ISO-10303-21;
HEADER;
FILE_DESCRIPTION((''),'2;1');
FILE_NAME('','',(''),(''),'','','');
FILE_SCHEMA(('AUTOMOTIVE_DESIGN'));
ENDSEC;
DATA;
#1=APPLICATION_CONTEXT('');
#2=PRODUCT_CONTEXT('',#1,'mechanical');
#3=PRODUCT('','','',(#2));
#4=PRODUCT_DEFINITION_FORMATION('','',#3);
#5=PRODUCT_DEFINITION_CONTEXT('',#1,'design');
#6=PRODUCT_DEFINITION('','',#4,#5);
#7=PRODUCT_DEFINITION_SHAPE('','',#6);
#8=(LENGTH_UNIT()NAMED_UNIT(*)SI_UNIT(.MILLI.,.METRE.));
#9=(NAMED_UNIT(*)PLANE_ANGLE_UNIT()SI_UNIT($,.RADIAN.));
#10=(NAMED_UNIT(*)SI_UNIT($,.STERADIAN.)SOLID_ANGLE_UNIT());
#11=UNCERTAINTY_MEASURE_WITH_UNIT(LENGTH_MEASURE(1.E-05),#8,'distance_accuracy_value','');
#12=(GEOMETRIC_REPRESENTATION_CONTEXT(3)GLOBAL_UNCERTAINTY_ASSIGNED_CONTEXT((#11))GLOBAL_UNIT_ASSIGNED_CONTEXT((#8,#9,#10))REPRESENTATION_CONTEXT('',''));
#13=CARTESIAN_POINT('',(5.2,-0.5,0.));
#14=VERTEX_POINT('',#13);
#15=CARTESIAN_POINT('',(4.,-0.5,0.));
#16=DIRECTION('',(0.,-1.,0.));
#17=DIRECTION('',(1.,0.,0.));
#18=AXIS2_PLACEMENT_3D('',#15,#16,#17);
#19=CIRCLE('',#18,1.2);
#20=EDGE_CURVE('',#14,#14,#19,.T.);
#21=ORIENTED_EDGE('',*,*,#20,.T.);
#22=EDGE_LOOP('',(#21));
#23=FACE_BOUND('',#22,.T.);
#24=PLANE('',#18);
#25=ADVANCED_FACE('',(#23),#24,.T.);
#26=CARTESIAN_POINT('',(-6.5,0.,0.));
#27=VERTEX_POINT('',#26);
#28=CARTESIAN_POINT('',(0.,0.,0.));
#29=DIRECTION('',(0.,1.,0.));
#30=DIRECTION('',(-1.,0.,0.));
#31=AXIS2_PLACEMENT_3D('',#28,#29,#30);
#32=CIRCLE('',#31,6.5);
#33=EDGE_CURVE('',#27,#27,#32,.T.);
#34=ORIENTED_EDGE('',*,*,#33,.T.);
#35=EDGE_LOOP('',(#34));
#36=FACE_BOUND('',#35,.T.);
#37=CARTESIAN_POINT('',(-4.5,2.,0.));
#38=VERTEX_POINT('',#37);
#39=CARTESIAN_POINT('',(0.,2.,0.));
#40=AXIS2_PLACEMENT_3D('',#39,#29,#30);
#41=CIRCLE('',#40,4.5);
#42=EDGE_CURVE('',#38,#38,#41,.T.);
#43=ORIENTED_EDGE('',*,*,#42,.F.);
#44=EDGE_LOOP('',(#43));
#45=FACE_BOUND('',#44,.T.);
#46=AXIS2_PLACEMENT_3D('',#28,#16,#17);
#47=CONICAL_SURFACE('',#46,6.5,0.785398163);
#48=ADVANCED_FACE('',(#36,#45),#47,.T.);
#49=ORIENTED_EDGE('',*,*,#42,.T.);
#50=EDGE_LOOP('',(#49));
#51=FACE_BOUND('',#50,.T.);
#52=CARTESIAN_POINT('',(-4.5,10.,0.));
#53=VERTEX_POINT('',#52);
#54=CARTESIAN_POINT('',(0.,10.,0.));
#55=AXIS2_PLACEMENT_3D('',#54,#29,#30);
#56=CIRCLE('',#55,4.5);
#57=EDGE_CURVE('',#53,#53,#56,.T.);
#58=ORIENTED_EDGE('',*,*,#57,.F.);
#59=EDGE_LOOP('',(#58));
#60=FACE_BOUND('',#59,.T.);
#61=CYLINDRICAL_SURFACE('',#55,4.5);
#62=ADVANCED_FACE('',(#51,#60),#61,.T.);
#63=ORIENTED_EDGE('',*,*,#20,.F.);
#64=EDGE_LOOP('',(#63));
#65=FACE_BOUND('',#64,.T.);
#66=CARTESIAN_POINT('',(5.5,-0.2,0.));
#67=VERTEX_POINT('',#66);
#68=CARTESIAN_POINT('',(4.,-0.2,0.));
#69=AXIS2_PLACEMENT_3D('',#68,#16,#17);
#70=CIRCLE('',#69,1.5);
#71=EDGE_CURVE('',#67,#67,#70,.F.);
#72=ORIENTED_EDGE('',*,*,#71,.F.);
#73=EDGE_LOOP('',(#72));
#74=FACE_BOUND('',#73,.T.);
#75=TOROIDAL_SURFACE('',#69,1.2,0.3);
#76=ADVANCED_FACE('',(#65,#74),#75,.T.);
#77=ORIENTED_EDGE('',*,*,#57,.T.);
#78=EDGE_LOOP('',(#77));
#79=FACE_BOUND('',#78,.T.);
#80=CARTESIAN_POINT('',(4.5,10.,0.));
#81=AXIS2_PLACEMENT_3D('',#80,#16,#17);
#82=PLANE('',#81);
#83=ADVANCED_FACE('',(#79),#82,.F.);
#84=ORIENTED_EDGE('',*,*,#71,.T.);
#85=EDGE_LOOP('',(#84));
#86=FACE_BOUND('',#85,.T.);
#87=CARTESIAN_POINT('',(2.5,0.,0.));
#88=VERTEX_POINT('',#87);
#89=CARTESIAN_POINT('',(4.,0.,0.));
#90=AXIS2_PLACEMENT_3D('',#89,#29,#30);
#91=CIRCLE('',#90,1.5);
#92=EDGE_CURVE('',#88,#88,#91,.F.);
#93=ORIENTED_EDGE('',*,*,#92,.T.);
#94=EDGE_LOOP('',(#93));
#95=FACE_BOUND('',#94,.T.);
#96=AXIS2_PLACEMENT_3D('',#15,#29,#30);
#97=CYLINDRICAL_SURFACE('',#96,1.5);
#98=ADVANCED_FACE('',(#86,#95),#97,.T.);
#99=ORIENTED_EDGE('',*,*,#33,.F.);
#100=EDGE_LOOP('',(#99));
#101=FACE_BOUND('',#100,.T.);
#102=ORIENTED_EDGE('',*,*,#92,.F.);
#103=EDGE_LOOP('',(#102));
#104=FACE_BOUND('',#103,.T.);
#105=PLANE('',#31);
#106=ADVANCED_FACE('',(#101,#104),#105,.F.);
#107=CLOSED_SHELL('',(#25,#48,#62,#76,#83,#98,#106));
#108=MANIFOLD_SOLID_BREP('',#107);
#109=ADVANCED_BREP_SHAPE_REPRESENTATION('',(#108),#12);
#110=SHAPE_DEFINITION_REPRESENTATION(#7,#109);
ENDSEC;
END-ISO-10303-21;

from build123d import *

# Parameters (mm, degrees)
SKETCH2_R           = 1.5
BOSS_EXTRUDE1_DEPTH = 0.5
FILLET1_R           = 0.3


with BuildPart() as part:
    # Sketch1 → Revolve1 (revolve)
    with BuildSketch(Plane.XY, mode=Mode.PRIVATE) as revolve1_sk:
        Polygon((0, 0), (6.5, 0), (4.5, 2), (4.5, 10), (0, 10), align=None)
    revolve(revolve1_sk.sketch.rotate(Axis((0, 10, 0), (0, -1, 0)), 180), axis=Axis((0, 10, 0), (0, -1, 0)))  # turned: the seam where the file's is

    # Sketch2 → Boss-Extrude1 (add)
    with BuildSketch(Plane.XZ):
        with Locations(Location((4, 0, 0), (0, 0, 180))):  # turned: the seam where the file's is
            Circle(SKETCH2_R)
    extrude(amount=BOSS_EXTRUDE1_DEPTH)

    # Fillet1
    fillet1_edges = [part.edges().sort_by_distance(p)[0] for p in [
        (5.5, -0.5, 0),
    ]]
    fillet(fillet1_edges, radius=FILLET1_R)


solid = part.part
